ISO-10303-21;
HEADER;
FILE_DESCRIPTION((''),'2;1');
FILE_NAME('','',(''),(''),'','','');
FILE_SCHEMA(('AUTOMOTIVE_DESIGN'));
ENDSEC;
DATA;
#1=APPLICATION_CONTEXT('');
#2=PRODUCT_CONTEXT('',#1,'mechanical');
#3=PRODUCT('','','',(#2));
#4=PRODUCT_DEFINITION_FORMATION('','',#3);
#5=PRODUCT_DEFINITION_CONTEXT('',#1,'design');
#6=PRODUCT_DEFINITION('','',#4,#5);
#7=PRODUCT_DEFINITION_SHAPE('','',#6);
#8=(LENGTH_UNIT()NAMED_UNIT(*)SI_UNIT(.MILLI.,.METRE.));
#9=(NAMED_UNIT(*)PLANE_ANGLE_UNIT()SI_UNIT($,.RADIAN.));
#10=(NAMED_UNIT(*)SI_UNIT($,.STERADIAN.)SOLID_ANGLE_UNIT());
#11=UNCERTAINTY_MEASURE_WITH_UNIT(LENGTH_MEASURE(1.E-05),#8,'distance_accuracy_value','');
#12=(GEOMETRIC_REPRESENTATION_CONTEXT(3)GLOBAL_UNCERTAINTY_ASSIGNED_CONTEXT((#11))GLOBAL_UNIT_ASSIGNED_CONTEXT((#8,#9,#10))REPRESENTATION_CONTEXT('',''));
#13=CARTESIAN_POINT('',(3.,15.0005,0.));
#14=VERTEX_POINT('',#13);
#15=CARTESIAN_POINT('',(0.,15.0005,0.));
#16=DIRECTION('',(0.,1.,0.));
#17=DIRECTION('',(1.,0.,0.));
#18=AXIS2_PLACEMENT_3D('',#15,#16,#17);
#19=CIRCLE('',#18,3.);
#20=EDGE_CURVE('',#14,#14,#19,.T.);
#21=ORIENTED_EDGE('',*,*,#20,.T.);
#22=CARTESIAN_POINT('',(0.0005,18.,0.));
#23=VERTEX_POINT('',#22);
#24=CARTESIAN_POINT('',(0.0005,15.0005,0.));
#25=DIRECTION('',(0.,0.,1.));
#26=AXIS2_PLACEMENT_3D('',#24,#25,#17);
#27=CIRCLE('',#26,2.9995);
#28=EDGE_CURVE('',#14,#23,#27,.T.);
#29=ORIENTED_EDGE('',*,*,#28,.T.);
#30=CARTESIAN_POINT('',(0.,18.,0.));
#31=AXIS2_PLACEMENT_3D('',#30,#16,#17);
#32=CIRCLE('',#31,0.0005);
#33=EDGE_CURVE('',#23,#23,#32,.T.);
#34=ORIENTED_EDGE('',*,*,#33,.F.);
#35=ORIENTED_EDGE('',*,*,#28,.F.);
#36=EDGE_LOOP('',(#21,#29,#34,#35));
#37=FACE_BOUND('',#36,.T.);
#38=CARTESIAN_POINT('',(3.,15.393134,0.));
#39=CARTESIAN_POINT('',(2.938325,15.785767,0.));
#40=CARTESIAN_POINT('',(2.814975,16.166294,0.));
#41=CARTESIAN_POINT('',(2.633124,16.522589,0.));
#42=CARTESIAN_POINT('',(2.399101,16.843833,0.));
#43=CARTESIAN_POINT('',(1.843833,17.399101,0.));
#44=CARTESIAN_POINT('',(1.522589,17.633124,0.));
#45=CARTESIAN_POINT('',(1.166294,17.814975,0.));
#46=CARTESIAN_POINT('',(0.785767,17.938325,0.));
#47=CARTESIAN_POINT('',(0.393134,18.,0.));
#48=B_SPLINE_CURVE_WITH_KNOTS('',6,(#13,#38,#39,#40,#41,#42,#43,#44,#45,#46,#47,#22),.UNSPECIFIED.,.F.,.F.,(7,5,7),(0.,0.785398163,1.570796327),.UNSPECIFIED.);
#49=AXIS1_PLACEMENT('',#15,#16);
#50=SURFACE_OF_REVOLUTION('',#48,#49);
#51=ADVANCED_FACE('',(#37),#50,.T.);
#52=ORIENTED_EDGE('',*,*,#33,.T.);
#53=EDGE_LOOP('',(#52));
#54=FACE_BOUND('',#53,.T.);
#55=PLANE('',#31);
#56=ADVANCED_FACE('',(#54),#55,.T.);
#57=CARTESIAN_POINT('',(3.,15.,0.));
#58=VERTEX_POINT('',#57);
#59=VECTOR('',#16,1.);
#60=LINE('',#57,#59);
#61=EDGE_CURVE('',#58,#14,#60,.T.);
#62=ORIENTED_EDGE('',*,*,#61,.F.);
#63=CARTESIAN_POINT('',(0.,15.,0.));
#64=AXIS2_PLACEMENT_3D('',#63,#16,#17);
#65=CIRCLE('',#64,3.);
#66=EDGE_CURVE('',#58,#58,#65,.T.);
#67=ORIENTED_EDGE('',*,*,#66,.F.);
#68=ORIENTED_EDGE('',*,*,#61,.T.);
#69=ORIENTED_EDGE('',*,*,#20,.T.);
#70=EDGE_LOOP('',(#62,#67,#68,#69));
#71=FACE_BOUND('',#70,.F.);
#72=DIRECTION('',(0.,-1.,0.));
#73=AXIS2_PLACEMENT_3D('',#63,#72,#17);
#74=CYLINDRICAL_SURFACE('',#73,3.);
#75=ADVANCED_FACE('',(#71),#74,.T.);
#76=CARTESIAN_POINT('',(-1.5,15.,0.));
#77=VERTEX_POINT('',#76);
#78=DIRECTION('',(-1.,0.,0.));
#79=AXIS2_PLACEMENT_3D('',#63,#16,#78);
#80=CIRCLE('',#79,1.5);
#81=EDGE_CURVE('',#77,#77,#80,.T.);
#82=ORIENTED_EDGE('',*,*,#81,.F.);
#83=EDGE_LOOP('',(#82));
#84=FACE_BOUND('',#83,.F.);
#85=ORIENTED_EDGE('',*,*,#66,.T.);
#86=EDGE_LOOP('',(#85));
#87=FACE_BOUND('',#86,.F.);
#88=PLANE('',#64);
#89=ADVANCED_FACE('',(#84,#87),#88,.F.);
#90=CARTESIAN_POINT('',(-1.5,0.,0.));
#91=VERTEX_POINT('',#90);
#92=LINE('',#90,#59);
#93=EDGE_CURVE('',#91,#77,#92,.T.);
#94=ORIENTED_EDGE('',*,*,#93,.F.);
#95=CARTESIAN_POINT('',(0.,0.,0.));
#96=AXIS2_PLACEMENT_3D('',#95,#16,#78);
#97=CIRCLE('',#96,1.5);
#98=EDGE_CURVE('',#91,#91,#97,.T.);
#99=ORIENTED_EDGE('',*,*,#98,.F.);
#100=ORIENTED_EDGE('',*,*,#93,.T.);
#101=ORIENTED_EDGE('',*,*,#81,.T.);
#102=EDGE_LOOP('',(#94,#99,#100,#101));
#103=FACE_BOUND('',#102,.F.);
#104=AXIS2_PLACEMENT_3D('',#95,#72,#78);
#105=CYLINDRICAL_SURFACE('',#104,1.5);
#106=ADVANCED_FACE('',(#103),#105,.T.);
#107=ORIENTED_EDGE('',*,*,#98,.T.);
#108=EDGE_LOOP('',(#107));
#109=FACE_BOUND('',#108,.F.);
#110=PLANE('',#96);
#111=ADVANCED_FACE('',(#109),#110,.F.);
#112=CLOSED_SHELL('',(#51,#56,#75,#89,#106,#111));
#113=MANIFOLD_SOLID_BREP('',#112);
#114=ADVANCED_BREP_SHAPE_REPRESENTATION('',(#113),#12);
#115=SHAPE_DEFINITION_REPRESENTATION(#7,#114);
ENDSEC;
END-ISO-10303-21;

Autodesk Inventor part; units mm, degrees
ref_plane "YZ Plane" through (0, 0, 0) normal (1, 0, 0) x (0, 1, 0)
ref_plane "XZ Plane" through (0, 0, 0) normal (0, 1, 0) x (-1, 0, 0)
ref_plane "XY Plane" through (0, 0, 0) normal (0, 0, 1) x (1, 0, 0)
sketch "Sketch1" plane through (0, 0, 0) normal (0, 1, 0) x (-1, 0, 0)
  circle A0 centre (0, 0) radius 1.5
  dimension "d0" = 3
extrude "Extrusion1" add sketch "Sketch1" along normal blind 15
sketch "Sketch2" plane through (0, 15, 0) normal (0, 1, 0) x (1, 0, 0)
  circle A0 centre (0, 0) radius 3
  dimension "d3" = 6
extrude "Extrusion2" add sketch "Sketch2" along normal blind 3
fillet "Fillet1" radius 3 1 edges at (-3, 18, 0)
properties part number "Pin"
